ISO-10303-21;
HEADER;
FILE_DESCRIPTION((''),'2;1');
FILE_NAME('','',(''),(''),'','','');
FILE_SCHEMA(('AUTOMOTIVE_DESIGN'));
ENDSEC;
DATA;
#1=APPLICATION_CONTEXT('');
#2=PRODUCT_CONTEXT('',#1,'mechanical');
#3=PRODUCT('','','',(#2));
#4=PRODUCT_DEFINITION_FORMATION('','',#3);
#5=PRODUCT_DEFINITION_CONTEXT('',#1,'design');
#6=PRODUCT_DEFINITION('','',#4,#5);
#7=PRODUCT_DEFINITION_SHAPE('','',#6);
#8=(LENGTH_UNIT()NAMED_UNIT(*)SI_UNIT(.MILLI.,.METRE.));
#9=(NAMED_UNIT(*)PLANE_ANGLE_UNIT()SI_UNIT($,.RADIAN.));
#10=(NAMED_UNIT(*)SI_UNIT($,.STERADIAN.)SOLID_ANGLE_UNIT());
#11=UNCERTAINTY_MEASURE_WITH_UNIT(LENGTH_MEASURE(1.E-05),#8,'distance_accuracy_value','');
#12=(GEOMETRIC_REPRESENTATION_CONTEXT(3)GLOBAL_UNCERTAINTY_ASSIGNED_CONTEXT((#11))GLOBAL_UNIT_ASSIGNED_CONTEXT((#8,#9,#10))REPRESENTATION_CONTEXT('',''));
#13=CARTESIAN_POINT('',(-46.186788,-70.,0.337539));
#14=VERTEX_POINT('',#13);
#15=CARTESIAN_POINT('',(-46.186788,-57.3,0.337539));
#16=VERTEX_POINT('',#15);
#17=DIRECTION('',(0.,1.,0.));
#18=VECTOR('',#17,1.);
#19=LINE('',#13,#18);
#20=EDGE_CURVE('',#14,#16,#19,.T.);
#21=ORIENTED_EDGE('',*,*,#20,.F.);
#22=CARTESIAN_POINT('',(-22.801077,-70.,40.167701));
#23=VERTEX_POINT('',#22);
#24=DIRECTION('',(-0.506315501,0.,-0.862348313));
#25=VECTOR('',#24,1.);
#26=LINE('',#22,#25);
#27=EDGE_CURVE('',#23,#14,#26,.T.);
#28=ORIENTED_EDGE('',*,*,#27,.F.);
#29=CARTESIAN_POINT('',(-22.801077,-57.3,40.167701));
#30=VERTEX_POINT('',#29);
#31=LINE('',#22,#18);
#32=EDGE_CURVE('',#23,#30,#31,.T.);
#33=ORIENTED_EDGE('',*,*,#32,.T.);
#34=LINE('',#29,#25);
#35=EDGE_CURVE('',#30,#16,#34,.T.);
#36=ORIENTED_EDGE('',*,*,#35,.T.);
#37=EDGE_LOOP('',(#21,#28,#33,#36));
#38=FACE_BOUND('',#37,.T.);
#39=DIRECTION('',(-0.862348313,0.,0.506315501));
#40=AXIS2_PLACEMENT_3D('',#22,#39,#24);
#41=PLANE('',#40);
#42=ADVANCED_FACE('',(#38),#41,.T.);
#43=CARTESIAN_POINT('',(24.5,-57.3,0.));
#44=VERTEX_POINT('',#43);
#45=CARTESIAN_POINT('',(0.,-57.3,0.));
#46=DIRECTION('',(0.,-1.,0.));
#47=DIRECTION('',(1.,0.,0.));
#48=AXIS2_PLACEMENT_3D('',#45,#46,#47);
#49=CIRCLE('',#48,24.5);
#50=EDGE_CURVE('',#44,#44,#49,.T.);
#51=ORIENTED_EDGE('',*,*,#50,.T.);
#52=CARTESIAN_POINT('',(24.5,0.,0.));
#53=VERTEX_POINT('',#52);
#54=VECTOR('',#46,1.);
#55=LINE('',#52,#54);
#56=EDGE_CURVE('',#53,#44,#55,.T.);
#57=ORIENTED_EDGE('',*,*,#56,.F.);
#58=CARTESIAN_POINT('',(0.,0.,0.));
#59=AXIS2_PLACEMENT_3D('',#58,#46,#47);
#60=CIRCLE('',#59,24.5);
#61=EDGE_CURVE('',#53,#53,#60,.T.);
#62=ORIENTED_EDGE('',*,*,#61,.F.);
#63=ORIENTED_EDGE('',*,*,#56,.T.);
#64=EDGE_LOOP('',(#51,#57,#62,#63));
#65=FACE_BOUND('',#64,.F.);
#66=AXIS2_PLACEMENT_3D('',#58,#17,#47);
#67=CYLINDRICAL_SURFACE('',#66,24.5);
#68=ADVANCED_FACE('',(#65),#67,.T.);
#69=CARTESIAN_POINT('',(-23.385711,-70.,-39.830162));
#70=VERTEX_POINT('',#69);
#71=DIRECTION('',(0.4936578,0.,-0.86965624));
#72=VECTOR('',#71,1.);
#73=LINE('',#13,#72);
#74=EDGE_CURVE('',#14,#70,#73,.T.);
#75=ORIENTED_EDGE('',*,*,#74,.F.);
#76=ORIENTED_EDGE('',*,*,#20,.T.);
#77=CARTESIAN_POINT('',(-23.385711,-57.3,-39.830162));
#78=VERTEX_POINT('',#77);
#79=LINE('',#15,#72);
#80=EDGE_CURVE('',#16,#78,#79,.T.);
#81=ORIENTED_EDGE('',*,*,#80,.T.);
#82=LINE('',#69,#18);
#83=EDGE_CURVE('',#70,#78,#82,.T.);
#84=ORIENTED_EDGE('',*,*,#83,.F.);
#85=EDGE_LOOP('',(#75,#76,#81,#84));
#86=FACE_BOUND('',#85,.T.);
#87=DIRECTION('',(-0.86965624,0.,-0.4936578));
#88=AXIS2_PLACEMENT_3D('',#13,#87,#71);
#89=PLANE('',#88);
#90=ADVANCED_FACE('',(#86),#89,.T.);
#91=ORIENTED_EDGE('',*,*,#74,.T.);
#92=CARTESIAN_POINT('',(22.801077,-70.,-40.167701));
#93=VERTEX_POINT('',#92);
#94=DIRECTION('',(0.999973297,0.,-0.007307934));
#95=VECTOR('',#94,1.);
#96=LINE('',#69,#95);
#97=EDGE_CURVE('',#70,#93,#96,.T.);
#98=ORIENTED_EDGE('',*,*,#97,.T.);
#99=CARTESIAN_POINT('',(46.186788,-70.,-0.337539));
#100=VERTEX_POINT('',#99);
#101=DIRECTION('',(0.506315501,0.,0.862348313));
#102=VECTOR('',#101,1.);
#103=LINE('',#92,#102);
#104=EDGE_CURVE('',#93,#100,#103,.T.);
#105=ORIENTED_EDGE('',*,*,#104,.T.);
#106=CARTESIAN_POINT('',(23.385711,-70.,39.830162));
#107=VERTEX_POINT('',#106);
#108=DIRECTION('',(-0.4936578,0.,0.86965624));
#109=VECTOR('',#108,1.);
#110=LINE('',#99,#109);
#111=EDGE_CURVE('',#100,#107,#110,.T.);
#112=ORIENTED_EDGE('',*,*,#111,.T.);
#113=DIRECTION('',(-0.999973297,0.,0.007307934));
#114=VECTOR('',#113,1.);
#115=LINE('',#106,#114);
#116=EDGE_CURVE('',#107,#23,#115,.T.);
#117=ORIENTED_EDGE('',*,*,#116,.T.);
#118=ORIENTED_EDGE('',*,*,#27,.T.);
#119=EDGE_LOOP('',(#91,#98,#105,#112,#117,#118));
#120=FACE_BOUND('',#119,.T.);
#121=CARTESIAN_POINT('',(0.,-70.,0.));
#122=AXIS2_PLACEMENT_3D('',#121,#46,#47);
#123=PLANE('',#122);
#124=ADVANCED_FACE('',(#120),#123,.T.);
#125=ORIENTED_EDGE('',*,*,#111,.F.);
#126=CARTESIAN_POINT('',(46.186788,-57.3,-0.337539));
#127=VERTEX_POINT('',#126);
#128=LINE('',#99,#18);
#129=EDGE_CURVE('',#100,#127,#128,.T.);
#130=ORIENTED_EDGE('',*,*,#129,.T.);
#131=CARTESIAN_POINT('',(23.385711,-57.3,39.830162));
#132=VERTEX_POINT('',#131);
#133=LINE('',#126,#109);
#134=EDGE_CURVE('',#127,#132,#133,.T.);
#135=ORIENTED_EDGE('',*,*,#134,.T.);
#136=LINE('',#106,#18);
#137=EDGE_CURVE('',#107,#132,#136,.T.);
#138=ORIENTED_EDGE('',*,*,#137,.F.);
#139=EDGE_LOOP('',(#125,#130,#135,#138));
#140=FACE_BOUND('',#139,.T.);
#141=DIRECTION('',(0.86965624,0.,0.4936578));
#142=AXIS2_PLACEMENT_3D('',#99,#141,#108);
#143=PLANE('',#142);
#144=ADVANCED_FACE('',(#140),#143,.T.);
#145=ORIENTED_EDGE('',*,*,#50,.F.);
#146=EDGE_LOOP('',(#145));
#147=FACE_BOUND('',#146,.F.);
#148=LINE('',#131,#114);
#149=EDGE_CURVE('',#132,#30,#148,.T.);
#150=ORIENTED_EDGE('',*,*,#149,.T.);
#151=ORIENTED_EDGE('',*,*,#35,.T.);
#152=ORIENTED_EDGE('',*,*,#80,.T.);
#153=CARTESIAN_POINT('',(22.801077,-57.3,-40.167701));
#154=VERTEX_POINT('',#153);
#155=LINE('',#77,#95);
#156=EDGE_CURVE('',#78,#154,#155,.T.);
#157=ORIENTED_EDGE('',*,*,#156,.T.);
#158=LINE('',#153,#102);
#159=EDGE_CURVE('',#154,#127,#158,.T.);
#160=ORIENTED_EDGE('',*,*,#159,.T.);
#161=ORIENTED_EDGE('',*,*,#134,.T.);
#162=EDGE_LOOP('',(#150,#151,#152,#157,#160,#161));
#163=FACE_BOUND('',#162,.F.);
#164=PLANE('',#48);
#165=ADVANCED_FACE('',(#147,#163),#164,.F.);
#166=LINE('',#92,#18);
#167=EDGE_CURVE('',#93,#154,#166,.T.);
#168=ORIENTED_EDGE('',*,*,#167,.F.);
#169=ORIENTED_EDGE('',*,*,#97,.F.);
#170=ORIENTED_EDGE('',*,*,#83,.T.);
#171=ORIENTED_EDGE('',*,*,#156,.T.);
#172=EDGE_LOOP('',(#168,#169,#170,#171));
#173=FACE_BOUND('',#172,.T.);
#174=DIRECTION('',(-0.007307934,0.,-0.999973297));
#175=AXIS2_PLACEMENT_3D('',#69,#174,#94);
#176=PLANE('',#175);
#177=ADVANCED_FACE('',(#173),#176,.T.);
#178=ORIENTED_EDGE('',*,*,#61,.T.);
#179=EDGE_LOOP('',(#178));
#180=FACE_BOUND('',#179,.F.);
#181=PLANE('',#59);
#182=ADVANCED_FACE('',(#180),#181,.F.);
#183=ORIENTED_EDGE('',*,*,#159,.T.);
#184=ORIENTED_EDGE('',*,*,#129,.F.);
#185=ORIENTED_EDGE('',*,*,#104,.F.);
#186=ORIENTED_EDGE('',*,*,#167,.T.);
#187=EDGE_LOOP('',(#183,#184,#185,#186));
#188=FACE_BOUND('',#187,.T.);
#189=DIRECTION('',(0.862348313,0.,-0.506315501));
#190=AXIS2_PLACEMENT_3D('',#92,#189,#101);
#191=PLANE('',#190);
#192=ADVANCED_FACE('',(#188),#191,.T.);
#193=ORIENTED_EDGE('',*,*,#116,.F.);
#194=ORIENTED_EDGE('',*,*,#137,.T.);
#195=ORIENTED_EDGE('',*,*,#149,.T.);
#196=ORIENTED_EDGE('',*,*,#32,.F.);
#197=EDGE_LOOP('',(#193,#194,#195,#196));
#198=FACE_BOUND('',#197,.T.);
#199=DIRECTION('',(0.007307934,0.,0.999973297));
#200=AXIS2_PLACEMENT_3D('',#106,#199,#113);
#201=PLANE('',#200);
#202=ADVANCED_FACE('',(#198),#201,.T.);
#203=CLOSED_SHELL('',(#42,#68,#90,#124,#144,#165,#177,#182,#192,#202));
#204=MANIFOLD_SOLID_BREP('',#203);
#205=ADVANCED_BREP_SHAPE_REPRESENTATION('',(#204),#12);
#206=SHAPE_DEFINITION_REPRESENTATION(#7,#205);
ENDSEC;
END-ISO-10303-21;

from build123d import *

# Parameters (mm, degrees)
F0_R     = 24.5
F1_DEPTH = 70
F2_R     = 24.5
F3_DEPTH = 12.7


with BuildPart() as f1:
    # F0 (on Front) → F1 (new body)
    with BuildSketch(Plane.XZ):
        Circle(F0_R)
    extrude(amount=F1_DEPTH)

    # F2 (on face) → F3 (join)
    with BuildSketch(Plane.XZ.offset(70)):
        Polygon((46.186788, -0.337539), (23.385711, 39.830162), (-22.801077, 40.167701), (-46.186788, 0.337539), (-23.385711, -39.830162), (22.801077, -40.167701), align=None)
        Circle(F2_R, mode=Mode.SUBTRACT)
    extrude(amount=-F3_DEPTH)


solid = f1.part
